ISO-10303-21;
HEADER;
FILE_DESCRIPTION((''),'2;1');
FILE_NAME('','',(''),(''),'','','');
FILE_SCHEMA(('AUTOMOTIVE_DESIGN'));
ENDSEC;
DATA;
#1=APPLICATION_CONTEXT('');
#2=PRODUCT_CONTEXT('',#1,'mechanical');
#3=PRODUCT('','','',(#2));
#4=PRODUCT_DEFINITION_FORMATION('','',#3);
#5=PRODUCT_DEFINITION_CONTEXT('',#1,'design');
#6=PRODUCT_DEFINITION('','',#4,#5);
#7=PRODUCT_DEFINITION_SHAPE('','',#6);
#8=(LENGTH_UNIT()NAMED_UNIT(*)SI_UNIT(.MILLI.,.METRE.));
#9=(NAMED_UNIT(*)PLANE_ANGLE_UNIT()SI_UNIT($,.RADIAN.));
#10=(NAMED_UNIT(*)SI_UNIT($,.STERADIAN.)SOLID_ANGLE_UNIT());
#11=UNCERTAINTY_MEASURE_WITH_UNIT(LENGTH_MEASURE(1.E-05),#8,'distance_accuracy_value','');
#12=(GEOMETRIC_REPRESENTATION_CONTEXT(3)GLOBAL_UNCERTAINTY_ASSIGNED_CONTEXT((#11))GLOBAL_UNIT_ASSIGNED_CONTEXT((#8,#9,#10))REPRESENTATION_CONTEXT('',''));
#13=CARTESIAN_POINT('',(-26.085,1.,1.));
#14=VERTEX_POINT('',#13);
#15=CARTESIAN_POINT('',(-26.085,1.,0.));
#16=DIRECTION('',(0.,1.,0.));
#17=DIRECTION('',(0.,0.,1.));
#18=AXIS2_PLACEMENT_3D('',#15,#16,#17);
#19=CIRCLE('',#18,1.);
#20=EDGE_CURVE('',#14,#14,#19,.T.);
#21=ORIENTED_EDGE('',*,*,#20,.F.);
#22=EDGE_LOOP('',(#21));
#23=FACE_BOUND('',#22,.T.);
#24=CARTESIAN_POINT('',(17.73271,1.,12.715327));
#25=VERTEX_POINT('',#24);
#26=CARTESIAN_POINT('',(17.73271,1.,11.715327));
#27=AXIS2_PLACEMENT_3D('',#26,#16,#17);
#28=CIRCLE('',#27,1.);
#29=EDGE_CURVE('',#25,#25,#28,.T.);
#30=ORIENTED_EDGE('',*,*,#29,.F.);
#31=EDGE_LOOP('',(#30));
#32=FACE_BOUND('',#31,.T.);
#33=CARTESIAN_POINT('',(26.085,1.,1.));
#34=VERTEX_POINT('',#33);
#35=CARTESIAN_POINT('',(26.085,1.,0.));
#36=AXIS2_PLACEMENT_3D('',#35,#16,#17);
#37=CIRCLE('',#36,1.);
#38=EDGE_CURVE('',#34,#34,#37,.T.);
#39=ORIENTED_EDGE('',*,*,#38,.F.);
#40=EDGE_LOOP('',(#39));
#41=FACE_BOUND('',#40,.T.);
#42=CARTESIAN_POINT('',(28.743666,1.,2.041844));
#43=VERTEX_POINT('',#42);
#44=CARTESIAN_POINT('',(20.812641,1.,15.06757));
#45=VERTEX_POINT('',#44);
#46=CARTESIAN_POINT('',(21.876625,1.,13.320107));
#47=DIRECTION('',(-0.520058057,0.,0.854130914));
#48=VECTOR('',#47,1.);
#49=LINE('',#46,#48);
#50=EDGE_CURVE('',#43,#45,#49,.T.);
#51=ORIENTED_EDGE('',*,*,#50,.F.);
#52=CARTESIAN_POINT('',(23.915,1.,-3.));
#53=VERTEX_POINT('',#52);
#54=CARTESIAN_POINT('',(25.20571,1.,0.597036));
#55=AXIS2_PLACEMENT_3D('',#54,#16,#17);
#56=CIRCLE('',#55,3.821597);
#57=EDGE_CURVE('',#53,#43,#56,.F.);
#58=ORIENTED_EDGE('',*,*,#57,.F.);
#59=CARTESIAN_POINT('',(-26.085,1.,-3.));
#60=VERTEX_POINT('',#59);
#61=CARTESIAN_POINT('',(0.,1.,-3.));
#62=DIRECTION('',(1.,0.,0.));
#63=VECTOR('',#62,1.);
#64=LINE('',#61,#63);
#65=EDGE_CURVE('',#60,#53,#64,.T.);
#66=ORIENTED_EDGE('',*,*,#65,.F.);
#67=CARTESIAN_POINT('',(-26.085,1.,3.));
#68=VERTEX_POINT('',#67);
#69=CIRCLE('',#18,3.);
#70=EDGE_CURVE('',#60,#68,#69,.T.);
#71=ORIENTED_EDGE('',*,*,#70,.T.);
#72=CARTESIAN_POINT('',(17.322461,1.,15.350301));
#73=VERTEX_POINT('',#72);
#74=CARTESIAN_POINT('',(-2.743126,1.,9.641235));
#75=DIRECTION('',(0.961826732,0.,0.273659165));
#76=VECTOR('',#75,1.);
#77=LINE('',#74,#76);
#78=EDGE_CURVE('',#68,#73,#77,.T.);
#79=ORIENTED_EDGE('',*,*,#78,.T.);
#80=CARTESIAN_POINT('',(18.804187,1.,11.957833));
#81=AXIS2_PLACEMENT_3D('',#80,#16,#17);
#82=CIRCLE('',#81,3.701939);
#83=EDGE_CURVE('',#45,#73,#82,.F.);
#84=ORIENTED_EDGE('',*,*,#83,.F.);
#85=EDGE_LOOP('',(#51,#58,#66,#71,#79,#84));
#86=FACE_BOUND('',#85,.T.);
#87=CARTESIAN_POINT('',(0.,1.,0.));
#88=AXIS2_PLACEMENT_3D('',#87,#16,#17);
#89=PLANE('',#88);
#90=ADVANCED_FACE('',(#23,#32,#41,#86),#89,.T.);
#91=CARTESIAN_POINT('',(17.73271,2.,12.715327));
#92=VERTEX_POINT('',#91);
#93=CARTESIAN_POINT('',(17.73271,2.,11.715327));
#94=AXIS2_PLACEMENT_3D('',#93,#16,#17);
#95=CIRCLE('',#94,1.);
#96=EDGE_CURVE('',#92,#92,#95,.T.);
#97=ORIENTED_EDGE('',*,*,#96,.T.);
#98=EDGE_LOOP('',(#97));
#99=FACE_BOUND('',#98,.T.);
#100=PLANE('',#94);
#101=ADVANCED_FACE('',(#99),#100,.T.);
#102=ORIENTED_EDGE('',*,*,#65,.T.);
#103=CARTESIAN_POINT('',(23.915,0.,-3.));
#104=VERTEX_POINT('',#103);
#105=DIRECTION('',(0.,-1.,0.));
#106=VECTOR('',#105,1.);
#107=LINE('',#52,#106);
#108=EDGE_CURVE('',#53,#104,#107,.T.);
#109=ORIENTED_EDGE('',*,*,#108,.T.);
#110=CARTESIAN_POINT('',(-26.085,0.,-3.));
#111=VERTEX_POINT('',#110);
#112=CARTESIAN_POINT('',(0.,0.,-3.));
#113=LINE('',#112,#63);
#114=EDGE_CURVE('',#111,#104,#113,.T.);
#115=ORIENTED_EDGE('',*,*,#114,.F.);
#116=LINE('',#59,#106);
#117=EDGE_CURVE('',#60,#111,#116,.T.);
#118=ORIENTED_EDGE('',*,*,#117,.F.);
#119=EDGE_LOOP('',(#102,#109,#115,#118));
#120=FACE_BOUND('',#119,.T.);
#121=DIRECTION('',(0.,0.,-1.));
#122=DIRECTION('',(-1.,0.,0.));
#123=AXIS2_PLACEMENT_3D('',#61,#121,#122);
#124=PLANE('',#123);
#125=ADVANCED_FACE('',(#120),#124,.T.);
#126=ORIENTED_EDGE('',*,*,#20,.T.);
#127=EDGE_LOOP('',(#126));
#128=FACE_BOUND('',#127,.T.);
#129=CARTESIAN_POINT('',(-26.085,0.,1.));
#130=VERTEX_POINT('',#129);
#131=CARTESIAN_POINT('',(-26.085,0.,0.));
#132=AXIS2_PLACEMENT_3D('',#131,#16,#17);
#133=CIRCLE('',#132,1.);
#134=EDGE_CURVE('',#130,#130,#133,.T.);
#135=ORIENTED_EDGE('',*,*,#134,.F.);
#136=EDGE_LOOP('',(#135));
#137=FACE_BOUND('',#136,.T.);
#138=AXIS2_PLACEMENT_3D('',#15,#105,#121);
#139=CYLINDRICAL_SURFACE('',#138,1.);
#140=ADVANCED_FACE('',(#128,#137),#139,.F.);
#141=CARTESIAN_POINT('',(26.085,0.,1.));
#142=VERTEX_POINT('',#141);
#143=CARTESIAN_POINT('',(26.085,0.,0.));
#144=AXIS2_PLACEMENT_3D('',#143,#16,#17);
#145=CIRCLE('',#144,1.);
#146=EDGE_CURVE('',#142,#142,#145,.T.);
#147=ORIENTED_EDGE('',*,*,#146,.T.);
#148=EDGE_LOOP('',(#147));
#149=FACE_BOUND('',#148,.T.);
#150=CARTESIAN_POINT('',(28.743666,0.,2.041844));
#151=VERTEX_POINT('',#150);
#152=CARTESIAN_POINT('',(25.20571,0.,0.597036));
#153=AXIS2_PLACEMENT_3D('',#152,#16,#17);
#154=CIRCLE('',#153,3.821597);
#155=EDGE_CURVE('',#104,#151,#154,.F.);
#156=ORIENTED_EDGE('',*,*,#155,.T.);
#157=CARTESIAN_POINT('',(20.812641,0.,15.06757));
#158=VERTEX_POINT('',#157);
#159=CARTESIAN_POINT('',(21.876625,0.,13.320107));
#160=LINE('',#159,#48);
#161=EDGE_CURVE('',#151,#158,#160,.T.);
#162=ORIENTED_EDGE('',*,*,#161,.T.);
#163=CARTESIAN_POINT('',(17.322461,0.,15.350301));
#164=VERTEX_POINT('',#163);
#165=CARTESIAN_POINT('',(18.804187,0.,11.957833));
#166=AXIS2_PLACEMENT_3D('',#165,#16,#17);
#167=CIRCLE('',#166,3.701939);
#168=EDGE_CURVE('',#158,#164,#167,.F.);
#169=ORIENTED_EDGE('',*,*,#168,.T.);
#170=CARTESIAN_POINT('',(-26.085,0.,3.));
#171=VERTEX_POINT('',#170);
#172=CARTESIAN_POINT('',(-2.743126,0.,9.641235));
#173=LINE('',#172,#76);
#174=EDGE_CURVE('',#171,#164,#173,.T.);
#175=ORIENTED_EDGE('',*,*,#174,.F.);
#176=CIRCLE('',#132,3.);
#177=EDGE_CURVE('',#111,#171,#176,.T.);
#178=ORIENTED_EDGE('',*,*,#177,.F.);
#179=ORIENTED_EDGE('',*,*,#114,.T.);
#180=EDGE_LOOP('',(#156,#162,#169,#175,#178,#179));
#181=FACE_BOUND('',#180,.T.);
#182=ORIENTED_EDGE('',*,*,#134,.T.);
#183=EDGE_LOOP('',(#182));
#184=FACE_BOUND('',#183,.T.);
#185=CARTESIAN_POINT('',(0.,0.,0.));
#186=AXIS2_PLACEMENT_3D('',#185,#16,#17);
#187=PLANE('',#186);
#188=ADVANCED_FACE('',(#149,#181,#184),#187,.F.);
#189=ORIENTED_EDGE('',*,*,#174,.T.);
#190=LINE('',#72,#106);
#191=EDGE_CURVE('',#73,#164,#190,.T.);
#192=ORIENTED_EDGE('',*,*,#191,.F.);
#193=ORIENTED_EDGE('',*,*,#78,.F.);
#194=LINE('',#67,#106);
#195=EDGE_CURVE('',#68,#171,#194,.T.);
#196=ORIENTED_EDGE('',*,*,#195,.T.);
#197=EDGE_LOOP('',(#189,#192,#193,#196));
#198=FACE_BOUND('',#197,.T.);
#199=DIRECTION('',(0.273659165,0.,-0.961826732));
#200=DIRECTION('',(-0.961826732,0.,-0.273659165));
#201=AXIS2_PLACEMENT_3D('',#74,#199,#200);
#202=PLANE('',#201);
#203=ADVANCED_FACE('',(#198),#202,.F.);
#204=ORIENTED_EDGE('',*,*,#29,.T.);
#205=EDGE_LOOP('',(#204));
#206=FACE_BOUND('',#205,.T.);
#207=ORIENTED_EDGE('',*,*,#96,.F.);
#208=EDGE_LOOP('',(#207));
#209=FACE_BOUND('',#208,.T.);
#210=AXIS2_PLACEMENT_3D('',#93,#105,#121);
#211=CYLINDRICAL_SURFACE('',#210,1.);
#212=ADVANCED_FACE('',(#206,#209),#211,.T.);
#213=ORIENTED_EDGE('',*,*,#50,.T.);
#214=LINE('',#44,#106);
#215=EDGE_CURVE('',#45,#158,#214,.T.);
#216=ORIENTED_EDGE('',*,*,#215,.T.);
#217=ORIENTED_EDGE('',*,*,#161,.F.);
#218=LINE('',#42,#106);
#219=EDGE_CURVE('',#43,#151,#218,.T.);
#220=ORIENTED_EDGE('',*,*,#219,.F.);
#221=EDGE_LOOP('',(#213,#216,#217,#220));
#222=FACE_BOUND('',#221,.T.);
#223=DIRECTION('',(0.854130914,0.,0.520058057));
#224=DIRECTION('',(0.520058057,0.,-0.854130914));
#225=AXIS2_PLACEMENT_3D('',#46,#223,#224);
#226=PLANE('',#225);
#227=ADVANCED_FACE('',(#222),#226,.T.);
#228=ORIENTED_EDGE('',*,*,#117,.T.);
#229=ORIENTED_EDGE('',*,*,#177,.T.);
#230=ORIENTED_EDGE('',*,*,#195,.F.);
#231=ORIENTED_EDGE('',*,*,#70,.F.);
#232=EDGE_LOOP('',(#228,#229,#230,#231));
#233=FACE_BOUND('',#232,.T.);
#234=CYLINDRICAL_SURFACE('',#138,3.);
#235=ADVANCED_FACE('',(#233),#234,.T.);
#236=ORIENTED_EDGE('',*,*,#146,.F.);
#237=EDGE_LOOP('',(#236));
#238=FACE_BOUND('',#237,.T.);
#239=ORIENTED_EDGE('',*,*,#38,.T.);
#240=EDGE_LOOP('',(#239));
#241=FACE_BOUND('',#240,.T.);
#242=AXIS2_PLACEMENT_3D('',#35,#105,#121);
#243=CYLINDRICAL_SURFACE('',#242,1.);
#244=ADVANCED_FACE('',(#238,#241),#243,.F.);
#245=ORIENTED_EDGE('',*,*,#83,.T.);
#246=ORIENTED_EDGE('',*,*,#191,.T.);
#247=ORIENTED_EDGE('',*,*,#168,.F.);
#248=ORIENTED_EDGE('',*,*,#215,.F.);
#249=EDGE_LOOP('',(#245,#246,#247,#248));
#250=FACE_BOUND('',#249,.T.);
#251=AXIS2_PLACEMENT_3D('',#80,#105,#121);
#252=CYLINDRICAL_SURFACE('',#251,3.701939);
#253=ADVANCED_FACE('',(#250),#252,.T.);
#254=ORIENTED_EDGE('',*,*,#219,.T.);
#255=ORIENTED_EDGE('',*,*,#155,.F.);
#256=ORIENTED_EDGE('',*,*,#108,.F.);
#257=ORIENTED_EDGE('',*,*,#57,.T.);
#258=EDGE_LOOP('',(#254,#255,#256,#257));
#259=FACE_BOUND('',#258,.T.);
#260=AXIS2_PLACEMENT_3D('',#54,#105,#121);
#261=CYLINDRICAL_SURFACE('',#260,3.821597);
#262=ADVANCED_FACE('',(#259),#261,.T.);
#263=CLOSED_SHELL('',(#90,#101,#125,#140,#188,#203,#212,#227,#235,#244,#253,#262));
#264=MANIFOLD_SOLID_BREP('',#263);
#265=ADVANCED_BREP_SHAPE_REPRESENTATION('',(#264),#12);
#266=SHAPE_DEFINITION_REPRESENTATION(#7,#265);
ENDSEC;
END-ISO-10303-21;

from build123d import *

# Parameters (mm, degrees)
SKETCH1_R           = 1
BOSS_EXTRUDE4_DEPTH = 1
SKETCH4_R           = 1
BOSS_EXTRUDE5_DEPTH = 1


with BuildPart() as part:
    # Sketch1 → Boss-Extrude4 (new body)
    with BuildSketch(Plane(origin=(0, 0, 0), x_dir=(1, 0, 0), z_dir=(0, 1, 0))):
        with BuildLine():
            Line((-26.085, 3), (23.915, 3))
            ThreePointArc((23.915, 3), (27.965705649, 2.046261886), (28.743665769, -2.041844117))
            Line((28.743665769, -2.041844117), (20.812640503, -15.067570319))
            ThreePointArc((20.812640503, -15.067570319), (19.103092744, -15.647684769), (17.322461075, -15.350300892))
            Line((17.322461075, -15.350300892), (-26.085, -3))
            ThreePointArc((-26.085, -3), (-29.085, 0), (-26.085, 3))
        make_face()
        with Locations((-26.085, 0)):
            Circle(SKETCH1_R, mode=Mode.SUBTRACT)
        with Locations((26.085, 0)):
            Circle(SKETCH1_R, mode=Mode.SUBTRACT)
    extrude(amount=BOSS_EXTRUDE4_DEPTH)

    # Sketch4 → Boss-Extrude5 (add)
    with BuildSketch(Plane(origin=(0, 1, 0), x_dir=(1, 0, 0), z_dir=(0, 1, 0))):
        with Locations((17.732709605, -11.715326645)):
            Circle(SKETCH4_R)
    extrude(amount=BOSS_EXTRUDE5_DEPTH)


solid = part.part
